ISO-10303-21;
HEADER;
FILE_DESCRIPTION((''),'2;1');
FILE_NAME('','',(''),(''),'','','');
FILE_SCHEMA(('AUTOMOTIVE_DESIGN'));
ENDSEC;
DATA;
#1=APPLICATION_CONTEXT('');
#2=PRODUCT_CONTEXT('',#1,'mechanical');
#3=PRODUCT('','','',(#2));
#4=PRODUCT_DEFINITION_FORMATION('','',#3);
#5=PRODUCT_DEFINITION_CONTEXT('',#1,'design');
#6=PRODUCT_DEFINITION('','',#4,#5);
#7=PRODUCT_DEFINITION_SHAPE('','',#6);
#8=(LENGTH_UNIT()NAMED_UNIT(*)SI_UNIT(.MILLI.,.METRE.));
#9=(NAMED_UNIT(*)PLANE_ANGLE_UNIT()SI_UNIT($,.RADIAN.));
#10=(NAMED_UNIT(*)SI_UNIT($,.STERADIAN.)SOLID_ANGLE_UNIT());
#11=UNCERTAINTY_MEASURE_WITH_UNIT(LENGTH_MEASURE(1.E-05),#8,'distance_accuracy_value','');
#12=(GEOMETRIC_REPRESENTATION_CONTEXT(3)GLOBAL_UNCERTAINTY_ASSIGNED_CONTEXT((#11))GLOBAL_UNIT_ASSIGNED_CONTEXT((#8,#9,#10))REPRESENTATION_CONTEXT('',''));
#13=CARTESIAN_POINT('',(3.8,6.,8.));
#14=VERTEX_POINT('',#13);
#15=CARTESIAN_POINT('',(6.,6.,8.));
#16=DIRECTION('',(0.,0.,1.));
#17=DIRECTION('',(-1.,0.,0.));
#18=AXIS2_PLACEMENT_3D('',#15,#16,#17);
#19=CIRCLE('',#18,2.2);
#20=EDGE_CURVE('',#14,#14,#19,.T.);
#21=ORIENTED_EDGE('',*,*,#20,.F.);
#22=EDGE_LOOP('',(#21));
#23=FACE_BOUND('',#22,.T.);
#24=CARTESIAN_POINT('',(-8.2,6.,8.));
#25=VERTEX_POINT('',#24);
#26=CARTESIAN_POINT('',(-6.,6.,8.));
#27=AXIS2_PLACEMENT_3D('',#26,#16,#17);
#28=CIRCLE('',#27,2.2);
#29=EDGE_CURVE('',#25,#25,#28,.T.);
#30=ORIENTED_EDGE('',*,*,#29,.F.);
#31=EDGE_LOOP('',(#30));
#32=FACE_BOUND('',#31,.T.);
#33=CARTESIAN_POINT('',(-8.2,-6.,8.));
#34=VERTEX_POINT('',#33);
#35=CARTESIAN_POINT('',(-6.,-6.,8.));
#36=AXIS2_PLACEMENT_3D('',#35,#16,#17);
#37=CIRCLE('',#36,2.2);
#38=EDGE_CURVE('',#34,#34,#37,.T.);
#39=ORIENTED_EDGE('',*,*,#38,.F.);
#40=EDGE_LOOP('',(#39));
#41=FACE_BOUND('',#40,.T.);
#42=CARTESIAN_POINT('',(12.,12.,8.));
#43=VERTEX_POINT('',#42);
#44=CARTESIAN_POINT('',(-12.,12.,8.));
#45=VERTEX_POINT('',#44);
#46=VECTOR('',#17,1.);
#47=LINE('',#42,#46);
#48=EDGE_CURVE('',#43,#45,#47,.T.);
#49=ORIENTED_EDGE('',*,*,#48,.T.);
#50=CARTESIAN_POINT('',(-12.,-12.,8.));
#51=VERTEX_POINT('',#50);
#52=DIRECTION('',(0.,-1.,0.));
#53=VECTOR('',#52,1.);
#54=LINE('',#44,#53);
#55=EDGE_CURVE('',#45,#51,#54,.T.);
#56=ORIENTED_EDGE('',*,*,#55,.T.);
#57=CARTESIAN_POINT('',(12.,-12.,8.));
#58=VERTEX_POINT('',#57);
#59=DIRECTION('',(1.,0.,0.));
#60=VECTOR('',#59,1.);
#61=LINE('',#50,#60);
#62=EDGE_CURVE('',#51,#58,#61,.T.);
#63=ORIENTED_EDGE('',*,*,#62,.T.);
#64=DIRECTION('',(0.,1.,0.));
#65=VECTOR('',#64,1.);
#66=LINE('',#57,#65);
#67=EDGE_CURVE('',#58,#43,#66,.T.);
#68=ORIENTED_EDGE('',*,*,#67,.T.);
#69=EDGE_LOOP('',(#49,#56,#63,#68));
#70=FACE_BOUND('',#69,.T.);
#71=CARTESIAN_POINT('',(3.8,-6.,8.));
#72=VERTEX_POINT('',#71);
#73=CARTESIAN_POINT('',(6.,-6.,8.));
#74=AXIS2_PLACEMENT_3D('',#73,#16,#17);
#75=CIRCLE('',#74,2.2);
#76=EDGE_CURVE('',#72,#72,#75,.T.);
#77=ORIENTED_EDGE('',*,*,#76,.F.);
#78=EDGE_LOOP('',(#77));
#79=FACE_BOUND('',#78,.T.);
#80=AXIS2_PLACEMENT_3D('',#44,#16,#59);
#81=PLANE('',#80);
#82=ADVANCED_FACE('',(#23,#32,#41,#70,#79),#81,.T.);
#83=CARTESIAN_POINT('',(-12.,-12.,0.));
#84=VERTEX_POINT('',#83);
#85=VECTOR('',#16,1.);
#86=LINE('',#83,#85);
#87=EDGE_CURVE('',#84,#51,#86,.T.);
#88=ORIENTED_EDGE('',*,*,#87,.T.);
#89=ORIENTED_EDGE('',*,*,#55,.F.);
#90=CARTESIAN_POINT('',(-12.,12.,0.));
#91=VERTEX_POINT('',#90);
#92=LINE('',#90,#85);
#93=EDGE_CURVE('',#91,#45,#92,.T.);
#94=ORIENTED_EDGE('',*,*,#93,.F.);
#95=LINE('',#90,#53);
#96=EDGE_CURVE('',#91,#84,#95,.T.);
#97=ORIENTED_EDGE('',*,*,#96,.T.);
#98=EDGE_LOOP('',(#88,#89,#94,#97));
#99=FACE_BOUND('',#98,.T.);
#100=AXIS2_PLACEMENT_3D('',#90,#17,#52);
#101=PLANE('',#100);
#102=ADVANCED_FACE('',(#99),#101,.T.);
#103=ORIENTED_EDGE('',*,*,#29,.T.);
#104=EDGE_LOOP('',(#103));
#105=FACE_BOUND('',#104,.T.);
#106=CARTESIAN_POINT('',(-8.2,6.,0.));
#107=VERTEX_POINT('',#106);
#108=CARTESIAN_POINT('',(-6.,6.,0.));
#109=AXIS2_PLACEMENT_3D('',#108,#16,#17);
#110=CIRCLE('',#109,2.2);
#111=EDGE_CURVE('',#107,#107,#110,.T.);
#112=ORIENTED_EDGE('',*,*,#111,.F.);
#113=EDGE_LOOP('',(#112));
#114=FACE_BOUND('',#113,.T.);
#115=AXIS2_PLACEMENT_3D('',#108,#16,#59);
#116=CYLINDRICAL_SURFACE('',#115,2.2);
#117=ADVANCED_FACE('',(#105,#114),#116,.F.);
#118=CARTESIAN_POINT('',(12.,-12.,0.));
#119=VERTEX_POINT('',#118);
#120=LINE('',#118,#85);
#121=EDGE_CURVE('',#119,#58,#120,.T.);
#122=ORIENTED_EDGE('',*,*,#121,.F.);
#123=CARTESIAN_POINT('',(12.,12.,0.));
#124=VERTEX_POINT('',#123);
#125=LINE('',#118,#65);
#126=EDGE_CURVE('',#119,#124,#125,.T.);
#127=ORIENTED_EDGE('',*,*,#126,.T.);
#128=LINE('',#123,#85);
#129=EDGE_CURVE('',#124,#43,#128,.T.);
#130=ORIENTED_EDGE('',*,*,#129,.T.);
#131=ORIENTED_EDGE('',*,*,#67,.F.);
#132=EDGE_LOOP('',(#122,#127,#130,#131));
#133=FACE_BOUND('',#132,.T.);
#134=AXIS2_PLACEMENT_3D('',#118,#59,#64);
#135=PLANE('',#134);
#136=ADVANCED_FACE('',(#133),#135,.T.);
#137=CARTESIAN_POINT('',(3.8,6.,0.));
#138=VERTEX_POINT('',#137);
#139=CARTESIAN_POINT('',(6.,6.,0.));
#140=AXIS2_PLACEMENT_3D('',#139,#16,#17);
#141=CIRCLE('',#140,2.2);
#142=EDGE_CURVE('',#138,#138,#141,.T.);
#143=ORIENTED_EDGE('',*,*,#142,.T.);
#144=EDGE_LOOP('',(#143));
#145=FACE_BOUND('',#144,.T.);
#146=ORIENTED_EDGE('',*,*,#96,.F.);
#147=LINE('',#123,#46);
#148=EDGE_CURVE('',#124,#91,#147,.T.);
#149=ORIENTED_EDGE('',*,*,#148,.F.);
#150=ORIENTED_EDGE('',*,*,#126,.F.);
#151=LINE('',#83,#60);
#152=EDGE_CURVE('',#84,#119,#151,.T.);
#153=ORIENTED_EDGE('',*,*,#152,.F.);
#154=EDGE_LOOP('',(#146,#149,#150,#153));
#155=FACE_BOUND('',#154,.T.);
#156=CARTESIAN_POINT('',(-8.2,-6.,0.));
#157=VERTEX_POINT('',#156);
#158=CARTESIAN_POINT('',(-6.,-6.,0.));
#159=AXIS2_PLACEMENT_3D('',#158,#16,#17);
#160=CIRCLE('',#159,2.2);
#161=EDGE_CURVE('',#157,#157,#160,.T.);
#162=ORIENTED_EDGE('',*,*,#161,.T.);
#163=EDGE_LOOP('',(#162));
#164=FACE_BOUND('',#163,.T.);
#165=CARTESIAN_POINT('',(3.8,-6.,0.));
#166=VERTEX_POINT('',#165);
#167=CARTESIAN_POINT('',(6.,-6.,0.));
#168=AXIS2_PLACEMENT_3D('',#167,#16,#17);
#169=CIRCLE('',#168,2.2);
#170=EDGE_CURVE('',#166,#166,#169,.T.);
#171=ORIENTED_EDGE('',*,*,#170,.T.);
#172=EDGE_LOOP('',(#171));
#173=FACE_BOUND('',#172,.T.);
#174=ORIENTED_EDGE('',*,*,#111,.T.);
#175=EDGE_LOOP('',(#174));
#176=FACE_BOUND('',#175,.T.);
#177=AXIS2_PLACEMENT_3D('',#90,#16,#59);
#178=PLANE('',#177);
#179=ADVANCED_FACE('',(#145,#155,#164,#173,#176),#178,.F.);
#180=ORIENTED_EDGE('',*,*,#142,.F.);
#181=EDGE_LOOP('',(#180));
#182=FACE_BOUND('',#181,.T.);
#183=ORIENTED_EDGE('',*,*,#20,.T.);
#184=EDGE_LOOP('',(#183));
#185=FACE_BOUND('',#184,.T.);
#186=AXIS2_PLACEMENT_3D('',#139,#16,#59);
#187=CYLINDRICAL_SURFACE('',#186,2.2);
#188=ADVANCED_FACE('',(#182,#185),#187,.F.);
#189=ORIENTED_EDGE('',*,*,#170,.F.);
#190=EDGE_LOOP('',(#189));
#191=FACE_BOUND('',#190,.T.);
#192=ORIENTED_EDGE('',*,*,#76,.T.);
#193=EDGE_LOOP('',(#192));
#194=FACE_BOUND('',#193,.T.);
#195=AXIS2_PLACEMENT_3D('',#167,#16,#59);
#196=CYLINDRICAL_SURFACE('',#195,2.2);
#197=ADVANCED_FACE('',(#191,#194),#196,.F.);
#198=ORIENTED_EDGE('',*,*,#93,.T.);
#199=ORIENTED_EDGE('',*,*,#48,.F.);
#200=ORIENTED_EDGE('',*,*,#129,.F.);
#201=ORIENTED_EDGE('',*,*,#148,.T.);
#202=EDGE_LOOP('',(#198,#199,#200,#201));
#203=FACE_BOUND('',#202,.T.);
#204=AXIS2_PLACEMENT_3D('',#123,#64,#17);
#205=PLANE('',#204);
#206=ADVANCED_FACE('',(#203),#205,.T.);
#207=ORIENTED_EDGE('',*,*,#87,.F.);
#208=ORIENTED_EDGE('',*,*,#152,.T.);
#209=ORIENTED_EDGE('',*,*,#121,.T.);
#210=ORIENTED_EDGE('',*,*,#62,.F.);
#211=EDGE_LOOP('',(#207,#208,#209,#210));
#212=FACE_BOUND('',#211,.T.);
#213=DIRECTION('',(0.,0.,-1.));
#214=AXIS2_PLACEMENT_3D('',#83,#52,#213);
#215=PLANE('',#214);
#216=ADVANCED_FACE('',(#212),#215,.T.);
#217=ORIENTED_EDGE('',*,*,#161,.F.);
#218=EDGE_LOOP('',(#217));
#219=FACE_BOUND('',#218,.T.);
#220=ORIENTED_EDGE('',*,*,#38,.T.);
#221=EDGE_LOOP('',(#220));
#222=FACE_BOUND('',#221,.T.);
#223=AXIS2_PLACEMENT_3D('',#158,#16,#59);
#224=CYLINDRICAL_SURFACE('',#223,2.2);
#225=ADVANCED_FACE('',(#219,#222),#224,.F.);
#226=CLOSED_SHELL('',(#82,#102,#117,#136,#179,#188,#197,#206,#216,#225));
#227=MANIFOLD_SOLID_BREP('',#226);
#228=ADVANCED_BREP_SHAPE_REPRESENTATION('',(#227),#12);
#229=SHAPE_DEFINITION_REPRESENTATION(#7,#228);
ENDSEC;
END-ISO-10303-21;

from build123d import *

# Parameters (mm, degrees)
SKETCH1_W           = 24
SKETCH1_H           = 24
SKETCH1_R           = 2.2
BOSS_EXTRUDE1_DEPTH = 8


with BuildPart() as part:
    # Sketch1 → Boss-Extrude1 (new body)
    with BuildSketch(Plane.XY.offset(8)):
        Rectangle(SKETCH1_W, SKETCH1_H)
        with Locations(Location((-6, -6, 0), (0, 0, 180))):
            Circle(SKETCH1_R, mode=Mode.SUBTRACT)
        with Locations(Location((6, 6, 0), (0, 0, 180))):
            Circle(SKETCH1_R, mode=Mode.SUBTRACT)
        with Locations(Location((6, -6, 0), (0, 0, 180))):
            Circle(SKETCH1_R, mode=Mode.SUBTRACT)
        with Locations(Location((-6, 6, 0), (0, 0, 180))):
            Circle(SKETCH1_R, mode=Mode.SUBTRACT)
    extrude(amount=-BOSS_EXTRUDE1_DEPTH)


solid = part.part
